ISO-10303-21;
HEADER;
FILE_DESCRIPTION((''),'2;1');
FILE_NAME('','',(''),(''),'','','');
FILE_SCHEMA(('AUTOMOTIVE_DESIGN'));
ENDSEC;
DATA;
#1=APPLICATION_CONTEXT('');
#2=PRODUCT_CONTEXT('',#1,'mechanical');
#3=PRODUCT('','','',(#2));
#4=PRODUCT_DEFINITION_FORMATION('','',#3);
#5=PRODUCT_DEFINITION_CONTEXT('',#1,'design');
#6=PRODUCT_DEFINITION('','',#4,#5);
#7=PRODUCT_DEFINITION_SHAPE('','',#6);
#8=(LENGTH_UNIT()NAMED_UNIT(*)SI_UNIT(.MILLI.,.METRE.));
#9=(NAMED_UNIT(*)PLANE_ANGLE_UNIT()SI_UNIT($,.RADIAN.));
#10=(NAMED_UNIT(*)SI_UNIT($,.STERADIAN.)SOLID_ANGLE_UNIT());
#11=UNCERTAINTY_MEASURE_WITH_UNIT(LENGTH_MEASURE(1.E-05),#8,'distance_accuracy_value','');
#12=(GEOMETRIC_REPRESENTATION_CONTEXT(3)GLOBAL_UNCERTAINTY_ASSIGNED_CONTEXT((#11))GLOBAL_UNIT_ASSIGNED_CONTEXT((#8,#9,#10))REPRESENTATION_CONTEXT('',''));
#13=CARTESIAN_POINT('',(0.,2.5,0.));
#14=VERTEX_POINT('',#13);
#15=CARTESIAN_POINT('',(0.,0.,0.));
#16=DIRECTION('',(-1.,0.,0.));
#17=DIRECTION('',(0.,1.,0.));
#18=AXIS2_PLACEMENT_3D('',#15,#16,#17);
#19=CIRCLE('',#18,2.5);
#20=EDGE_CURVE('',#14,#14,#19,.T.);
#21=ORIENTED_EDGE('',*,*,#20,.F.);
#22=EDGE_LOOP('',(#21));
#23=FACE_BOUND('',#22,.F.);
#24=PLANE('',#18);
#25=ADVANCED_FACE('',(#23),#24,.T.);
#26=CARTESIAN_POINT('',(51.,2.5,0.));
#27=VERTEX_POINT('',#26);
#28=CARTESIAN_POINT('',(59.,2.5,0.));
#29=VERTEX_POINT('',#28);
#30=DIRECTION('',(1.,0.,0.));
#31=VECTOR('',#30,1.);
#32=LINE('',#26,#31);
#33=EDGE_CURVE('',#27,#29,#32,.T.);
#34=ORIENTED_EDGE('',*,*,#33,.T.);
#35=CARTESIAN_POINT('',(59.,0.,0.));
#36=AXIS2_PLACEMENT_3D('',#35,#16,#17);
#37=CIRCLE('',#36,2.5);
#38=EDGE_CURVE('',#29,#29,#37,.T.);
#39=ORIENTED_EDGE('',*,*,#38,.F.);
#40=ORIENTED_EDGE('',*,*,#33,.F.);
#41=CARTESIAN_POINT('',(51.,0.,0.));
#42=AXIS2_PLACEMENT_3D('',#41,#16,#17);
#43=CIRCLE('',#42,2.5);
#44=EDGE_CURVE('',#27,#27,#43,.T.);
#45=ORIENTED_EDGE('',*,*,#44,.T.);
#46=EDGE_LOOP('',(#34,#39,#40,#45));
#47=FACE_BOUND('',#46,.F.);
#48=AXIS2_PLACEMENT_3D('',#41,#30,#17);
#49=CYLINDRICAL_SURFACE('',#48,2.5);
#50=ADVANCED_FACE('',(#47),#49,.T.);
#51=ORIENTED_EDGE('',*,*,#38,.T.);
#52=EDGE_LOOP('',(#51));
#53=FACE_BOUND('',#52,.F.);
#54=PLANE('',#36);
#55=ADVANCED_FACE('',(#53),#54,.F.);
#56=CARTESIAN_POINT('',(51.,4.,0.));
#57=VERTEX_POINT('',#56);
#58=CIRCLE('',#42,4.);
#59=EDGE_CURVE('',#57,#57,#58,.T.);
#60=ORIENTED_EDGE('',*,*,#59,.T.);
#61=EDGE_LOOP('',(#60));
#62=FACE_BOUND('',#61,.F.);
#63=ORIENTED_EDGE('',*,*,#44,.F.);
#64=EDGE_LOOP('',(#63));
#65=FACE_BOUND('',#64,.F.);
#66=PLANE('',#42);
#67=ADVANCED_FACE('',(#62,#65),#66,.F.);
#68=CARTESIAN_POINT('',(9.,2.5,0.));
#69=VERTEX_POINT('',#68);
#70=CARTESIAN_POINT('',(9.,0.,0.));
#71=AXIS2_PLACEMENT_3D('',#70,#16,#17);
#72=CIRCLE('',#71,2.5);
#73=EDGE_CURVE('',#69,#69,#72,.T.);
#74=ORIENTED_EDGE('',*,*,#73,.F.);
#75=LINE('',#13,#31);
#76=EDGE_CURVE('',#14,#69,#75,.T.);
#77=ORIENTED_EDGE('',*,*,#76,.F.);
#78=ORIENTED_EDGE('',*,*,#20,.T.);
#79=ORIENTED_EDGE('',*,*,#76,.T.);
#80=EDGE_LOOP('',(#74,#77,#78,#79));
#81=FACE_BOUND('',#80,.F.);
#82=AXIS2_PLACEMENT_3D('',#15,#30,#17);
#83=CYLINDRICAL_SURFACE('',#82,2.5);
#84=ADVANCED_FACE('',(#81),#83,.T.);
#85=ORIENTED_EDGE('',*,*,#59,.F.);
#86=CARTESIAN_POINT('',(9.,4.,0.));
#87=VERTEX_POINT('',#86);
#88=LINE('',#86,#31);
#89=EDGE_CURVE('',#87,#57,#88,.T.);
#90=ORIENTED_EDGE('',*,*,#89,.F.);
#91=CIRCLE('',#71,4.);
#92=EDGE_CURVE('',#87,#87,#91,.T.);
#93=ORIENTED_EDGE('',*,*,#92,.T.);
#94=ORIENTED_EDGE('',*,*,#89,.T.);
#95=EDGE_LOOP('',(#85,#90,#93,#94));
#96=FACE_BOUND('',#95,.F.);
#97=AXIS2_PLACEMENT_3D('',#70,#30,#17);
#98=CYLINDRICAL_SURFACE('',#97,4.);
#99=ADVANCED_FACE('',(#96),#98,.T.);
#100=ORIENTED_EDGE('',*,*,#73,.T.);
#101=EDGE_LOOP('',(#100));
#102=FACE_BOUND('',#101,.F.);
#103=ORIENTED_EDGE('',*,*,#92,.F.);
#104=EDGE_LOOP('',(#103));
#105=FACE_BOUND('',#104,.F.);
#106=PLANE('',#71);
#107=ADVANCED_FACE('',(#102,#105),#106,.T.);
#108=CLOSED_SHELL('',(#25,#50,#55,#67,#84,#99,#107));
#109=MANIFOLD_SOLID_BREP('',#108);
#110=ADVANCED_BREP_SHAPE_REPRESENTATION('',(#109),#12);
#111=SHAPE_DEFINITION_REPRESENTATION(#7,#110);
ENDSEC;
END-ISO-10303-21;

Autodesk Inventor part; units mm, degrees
ref_plane "YZ Plane" through (0, 0, 0) normal (1, 0, 0) x (0, 1, 0)
ref_plane "XZ Plane" through (0, 0, 0) normal (0, 1, 0) x (-1, 0, 0)
ref_plane "XY Plane" through (0, 0, 0) normal (0, 0, 1) x (1, 0, 0)
sketch "Sketch2" plane through (0, 0, 0) normal (0, 0, 1) x (1, 0, 0)
  line L0 (0, 0) -> (0, 2.5)
  line L1 (0, 2.5) -> (9, 2.5)
  line L2 (9, 2.5) -> (9, 4)
  line L3 (9, 4) -> (51, 4)
  line L4 (51, 4) -> (51, 2.5)
  line L5 (51, 2.5) -> (59, 2.5)
  line L6 (59, 2.5) -> (59, 0)
  line L7 (59, 0) -> (0, 0)
  dimension "d0" = 5
  dimension "d1" = 8
  dimension "d2" = 9
  dimension "d3" = 8
  dimension "d4" = 42
revolve "Revolution1" add sketch "Sketch2" angle 360 about axis through (59, 0, 0) along (-1, 0, 0)
thread "Thread1" size "M5x0.8" class "6g" standard "ISO Metric profile" full length
thread "Thread2" size "M5x0.8" class "6g" standard "ISO Metric profile" full length
properties part number "46"
